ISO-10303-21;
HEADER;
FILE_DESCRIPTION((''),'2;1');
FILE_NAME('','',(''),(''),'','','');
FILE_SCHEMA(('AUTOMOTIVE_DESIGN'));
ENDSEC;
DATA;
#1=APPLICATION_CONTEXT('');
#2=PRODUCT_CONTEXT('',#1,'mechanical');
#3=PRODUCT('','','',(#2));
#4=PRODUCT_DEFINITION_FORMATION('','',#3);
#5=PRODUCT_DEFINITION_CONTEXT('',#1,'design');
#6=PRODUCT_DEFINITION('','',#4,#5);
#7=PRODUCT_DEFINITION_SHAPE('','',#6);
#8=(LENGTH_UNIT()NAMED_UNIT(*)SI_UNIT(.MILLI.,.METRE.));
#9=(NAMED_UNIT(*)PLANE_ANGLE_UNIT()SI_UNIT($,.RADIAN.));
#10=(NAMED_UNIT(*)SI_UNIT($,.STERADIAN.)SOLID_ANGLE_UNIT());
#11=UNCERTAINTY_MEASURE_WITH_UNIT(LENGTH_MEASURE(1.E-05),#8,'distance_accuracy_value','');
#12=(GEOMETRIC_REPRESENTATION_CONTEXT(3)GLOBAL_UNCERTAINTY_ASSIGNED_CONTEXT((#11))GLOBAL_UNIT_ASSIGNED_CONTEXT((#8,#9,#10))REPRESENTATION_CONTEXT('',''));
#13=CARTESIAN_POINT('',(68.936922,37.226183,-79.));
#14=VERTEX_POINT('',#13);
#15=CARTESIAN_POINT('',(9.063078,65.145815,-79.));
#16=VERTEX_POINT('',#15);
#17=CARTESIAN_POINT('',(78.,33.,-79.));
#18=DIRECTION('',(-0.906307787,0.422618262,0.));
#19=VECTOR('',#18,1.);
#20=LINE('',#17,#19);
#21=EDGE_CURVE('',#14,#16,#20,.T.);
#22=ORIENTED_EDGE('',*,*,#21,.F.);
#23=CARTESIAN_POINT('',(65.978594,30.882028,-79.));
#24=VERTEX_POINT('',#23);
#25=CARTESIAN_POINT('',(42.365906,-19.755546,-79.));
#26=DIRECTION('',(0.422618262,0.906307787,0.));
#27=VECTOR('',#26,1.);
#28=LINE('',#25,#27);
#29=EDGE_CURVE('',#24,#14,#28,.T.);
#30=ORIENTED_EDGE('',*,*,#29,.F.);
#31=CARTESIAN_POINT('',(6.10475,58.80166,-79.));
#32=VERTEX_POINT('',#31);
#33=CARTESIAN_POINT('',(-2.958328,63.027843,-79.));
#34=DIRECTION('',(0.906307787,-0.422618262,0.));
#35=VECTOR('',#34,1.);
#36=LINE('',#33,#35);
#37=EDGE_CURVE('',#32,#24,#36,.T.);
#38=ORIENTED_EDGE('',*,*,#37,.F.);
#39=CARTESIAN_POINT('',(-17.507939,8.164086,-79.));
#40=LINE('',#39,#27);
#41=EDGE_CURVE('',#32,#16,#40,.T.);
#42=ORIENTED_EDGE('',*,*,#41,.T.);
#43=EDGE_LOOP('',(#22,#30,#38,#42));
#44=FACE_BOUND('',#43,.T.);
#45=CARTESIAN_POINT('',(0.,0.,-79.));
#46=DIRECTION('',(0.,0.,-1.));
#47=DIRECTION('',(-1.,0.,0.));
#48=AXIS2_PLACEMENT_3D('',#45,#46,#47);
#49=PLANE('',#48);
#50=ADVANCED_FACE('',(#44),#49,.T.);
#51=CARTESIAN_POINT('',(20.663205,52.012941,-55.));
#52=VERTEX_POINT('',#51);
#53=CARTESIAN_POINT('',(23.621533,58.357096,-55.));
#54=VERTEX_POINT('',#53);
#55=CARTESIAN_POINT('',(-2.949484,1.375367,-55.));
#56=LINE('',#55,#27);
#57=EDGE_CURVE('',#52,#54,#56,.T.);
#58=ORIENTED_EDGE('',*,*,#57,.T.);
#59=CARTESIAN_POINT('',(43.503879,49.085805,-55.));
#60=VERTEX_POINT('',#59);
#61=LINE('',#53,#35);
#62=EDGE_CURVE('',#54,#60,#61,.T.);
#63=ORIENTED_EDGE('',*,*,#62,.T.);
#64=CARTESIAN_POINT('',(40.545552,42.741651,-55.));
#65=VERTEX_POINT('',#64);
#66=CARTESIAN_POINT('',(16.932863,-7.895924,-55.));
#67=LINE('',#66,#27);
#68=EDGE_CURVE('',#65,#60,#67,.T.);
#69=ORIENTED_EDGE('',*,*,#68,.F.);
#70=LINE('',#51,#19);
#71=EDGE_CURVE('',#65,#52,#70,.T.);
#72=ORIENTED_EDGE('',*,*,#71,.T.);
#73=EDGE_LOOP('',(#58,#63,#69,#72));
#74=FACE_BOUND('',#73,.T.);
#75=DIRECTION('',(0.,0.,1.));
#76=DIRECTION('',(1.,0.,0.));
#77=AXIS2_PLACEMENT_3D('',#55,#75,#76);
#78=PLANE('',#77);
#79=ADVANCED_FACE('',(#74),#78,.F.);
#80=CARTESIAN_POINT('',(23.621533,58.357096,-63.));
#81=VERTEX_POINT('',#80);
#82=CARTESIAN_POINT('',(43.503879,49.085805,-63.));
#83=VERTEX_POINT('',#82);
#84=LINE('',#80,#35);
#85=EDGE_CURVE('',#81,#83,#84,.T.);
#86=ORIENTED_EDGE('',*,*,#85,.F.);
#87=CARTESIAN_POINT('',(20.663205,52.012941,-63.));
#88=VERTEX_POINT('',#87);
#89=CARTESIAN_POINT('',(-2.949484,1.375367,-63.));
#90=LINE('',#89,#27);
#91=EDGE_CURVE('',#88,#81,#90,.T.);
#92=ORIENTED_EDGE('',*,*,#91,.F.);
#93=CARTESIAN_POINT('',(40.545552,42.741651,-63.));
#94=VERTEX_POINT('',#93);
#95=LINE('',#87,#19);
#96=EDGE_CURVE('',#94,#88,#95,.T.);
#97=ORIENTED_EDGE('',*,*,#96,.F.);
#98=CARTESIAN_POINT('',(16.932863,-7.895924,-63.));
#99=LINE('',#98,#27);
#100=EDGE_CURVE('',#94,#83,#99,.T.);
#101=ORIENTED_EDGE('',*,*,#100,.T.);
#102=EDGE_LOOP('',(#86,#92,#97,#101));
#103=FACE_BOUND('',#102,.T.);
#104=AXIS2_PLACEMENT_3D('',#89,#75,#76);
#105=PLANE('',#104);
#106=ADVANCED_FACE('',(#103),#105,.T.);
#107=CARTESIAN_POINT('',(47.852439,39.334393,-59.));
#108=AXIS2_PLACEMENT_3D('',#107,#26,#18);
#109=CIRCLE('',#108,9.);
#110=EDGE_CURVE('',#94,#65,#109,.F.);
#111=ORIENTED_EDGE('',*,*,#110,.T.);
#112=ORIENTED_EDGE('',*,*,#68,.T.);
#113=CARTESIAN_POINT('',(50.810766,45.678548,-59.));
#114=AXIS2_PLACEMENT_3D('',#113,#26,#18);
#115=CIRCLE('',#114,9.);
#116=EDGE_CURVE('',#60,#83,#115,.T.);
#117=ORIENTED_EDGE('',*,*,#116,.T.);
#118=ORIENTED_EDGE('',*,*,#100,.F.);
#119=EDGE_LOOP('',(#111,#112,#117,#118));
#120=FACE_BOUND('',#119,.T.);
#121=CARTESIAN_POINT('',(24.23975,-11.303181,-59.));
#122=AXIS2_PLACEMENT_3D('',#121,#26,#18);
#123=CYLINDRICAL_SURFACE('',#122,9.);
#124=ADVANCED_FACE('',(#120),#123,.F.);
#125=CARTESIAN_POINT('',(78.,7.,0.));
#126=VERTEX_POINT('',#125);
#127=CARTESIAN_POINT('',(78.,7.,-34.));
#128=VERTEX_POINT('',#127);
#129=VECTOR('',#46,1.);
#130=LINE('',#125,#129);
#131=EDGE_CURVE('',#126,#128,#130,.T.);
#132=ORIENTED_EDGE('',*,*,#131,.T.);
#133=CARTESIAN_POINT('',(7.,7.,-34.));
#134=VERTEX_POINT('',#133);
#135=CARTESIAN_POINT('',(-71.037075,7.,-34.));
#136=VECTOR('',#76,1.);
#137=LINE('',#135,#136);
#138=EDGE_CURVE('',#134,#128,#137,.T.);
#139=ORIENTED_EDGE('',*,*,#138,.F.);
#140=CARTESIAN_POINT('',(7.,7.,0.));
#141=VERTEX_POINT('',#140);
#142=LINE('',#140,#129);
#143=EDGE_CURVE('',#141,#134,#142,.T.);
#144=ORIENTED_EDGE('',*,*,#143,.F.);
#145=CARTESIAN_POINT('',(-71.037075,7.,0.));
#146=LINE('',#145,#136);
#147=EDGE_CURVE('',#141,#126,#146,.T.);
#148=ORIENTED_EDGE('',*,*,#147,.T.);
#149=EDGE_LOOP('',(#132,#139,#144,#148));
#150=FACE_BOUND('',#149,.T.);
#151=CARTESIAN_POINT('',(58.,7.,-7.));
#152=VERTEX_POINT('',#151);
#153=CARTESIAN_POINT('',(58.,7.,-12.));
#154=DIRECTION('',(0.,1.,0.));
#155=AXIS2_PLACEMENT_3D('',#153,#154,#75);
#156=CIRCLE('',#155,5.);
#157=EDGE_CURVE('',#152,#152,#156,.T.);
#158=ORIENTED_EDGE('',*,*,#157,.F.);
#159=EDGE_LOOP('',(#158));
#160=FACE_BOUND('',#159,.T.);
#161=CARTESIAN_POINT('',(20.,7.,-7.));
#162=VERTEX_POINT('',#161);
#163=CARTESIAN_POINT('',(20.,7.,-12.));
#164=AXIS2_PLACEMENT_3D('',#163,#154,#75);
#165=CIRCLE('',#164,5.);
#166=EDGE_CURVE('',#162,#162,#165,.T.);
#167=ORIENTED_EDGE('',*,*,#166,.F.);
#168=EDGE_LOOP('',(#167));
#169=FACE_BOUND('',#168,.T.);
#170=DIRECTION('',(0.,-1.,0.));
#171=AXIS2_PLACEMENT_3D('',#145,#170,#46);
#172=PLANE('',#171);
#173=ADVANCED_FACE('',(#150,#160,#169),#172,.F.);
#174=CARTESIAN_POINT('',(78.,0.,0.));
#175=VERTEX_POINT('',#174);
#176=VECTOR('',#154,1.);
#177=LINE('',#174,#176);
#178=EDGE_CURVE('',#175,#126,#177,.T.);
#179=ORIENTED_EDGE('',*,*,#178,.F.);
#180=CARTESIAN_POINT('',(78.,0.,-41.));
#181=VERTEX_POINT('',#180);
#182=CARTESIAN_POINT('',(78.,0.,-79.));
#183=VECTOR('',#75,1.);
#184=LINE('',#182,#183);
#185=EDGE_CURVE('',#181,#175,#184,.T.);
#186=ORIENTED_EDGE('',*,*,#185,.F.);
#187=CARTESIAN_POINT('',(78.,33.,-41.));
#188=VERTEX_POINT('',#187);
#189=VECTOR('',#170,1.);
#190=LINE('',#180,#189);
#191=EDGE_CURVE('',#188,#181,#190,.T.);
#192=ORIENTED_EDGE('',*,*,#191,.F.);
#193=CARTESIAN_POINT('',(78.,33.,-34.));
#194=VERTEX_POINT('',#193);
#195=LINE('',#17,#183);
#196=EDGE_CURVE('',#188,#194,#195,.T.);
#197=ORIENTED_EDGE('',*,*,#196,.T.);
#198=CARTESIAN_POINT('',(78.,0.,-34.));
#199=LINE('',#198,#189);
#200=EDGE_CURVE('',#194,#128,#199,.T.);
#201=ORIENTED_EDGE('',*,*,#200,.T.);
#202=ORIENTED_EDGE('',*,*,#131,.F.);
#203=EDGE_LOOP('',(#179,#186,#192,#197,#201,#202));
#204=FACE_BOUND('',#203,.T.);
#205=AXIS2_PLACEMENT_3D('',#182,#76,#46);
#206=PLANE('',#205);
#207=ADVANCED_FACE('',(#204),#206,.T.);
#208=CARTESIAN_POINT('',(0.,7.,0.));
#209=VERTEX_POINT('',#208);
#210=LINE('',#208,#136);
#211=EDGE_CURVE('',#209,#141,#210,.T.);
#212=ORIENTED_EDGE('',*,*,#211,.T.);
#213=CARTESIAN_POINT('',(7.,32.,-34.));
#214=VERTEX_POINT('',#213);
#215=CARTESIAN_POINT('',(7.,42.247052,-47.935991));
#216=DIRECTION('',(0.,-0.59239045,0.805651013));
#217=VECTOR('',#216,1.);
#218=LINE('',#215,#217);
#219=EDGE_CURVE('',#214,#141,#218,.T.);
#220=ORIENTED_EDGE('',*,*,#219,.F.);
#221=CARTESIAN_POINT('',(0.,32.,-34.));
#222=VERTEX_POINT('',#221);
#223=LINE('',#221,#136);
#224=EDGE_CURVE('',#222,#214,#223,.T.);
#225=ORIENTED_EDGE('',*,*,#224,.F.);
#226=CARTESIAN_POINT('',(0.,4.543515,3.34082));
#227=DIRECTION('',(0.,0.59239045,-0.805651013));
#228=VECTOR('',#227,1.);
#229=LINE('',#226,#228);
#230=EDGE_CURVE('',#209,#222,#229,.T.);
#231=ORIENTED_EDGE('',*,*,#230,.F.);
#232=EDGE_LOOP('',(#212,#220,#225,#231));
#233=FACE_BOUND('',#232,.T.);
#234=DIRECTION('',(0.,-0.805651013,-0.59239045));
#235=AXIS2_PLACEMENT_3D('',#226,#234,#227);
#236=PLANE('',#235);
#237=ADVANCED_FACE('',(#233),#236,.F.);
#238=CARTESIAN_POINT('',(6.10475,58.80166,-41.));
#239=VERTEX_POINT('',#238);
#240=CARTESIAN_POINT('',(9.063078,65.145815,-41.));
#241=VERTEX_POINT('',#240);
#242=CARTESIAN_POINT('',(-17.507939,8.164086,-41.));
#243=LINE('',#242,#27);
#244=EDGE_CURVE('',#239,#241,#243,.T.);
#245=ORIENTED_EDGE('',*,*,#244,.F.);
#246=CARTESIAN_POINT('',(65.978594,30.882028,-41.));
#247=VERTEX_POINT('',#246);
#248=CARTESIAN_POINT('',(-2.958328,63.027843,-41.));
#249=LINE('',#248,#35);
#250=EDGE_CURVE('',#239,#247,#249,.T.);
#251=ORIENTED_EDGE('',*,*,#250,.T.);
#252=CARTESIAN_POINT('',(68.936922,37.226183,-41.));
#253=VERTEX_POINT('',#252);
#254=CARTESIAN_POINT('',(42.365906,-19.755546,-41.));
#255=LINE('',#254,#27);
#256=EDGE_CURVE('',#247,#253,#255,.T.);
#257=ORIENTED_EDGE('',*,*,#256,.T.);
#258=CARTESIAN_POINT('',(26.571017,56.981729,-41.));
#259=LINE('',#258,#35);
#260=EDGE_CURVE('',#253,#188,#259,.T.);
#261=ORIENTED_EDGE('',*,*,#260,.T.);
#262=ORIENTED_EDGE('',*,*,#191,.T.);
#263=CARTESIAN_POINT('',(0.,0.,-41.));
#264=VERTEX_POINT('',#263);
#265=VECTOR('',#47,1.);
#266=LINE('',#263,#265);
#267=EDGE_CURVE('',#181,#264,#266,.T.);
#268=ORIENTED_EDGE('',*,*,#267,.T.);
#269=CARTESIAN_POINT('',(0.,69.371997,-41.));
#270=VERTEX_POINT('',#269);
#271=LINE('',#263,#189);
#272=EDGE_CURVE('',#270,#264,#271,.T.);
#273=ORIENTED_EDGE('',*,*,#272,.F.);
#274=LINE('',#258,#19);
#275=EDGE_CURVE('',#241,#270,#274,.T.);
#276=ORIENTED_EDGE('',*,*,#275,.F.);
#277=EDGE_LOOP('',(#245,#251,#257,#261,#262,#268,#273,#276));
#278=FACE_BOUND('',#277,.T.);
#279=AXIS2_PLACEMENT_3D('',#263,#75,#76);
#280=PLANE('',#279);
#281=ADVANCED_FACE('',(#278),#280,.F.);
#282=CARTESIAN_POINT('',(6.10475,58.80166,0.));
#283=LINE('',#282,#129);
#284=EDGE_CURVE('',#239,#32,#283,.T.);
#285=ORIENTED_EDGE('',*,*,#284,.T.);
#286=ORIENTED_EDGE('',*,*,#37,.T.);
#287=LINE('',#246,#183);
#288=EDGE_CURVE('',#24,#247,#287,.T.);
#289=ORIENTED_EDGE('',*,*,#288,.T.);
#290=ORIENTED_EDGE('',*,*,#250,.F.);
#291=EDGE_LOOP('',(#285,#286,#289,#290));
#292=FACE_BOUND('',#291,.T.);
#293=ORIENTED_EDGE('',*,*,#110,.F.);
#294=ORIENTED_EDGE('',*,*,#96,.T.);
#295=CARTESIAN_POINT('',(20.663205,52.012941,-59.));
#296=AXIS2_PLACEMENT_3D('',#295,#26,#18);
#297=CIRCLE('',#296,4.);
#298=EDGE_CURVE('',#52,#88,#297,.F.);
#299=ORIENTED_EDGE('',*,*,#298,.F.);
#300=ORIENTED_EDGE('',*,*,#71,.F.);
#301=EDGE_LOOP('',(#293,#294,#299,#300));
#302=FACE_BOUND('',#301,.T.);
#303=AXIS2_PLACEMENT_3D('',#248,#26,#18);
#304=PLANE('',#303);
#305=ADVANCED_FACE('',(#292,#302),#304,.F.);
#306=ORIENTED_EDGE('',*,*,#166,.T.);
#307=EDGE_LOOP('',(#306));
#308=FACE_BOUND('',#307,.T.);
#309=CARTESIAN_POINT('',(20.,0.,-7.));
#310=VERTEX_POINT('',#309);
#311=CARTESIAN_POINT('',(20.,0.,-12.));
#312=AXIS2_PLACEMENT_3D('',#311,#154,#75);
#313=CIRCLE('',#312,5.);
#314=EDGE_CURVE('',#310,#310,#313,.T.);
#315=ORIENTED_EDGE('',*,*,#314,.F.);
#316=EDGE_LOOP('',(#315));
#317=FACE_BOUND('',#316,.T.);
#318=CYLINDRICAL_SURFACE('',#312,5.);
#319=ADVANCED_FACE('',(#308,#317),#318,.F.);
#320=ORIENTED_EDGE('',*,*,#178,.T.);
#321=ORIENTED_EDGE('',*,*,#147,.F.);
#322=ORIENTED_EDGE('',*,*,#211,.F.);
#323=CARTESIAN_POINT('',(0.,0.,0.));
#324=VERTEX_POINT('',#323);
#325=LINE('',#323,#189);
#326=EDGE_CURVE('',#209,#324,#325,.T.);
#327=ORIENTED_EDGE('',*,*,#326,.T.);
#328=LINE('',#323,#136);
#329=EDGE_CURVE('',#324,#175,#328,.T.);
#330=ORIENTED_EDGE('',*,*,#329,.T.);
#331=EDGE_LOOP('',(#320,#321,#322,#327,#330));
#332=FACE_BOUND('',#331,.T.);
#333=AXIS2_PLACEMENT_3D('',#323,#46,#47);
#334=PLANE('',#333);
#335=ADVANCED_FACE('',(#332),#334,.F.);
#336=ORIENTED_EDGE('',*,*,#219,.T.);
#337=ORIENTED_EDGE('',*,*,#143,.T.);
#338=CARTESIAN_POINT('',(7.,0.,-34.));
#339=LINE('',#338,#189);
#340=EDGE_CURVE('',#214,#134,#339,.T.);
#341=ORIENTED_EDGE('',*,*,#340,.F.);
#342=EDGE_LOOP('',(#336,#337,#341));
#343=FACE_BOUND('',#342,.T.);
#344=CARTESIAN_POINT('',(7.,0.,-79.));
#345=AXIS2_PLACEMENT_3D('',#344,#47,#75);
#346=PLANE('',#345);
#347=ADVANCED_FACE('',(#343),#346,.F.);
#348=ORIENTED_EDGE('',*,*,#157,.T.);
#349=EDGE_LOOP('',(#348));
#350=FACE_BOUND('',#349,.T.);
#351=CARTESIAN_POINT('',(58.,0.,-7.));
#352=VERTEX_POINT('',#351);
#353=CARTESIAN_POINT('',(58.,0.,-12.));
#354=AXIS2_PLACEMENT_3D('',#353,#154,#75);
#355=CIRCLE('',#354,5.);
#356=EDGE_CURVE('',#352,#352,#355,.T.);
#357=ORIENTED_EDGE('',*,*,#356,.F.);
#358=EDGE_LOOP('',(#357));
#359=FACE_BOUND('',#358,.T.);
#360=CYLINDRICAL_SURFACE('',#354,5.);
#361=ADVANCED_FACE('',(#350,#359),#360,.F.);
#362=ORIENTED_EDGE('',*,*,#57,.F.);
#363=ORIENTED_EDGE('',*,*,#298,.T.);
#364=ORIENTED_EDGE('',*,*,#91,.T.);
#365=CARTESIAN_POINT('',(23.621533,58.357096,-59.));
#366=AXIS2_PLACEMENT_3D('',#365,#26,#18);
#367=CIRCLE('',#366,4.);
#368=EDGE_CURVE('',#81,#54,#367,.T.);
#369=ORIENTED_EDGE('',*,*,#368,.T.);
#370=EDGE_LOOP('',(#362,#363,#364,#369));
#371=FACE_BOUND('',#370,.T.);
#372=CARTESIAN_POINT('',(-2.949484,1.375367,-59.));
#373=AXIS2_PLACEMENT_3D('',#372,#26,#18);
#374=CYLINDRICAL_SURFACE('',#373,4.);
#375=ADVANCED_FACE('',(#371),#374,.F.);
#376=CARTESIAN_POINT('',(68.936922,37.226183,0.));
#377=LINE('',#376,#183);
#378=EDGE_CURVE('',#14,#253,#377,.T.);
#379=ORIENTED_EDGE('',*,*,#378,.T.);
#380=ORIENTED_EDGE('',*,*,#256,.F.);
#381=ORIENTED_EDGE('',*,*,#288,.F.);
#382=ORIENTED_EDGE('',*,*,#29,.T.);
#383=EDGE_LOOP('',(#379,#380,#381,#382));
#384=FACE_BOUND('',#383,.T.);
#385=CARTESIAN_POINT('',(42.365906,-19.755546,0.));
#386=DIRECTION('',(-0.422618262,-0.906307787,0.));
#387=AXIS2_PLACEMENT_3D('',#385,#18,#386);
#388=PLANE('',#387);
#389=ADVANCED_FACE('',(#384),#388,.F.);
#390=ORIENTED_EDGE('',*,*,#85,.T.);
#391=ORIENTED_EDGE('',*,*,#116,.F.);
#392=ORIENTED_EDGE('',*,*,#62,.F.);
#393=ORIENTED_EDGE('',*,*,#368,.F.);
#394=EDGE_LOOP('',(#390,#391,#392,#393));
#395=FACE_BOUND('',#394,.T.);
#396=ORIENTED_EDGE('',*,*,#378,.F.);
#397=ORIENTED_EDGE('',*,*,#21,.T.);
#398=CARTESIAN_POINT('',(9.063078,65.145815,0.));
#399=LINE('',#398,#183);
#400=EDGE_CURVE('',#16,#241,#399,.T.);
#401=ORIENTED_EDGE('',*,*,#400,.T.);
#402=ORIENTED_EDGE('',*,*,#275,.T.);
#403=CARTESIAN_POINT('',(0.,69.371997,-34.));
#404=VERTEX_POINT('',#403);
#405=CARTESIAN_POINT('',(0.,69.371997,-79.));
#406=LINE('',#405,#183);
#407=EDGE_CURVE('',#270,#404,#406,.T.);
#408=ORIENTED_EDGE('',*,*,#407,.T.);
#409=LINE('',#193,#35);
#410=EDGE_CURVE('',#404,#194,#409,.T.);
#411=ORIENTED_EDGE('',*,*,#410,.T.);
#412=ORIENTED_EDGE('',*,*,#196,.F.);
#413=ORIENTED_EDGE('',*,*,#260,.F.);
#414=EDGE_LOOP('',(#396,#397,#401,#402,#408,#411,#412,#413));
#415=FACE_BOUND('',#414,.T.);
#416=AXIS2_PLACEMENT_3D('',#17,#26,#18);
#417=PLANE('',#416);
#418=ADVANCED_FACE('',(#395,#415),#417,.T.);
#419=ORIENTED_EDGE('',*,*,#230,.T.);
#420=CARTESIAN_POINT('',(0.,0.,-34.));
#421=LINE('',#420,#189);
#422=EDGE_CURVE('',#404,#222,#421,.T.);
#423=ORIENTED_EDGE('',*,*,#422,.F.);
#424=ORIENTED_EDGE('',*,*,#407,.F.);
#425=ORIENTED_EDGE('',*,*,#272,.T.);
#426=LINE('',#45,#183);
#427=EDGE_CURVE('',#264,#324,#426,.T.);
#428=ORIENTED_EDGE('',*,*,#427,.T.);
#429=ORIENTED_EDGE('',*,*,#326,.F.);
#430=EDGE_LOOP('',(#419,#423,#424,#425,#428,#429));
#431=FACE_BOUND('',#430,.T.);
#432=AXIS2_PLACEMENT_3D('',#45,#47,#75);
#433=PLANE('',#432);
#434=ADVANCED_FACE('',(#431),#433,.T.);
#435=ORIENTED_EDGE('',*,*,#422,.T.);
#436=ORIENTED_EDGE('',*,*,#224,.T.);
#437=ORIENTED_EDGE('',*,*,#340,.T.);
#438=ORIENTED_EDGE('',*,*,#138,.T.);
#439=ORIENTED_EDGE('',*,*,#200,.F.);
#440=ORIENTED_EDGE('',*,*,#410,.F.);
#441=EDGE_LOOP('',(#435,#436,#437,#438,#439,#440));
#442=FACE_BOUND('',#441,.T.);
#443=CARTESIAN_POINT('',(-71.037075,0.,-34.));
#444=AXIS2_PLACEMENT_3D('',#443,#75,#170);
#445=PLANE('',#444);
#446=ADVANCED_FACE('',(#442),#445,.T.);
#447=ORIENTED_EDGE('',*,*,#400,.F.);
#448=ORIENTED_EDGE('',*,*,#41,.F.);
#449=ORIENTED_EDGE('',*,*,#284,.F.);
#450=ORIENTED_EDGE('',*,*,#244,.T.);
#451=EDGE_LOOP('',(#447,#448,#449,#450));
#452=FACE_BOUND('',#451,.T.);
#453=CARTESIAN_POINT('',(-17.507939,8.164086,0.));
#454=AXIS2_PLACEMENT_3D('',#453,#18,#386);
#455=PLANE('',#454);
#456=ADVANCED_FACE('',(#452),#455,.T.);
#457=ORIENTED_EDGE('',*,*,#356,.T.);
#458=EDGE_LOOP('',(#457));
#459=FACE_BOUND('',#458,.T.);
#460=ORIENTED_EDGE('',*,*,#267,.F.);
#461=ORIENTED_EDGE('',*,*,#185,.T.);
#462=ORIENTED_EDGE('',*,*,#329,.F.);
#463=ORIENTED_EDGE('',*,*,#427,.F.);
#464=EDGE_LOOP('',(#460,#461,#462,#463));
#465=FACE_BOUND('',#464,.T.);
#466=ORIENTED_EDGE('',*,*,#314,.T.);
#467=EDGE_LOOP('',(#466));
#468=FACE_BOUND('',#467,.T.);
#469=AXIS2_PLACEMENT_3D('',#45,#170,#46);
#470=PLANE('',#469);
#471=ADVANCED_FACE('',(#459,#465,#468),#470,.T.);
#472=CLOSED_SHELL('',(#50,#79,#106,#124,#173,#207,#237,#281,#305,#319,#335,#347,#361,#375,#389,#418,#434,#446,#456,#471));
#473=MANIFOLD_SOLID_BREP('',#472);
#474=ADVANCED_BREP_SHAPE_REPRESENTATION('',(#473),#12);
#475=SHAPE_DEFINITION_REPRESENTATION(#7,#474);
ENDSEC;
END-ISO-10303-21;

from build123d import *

# Parameters (mm, degrees)
BOSS_EXTRUDE1_DEPTH = 79
SKETCH2_W           = 34
SKETCH2_H           = 36.371997336
CUT_EXTRUDE1_DEPTH  = 71
SKETCH2_4_W         = 34
SKETCH2_4_H         = 36.371997336
CUT_EXTRUDE2_DEPTH  = 79
SKETCH3_W           = 10
SKETCH3_H           = 38
SKETCH3_W_2         = 41.460526603
CUT_EXTRUDE3_DEPTH  = 63.872381388
SKETCH4_W           = 38
SKETCH4_H           = 64.41245134
CUT_EXTRUDE4_DEPTH  = 77.063477679
SKETCH5_R           = 5
CUT_EXTRUDE5_DEPTH  = 8


with BuildPart() as part:
    # Sketch1 → Boss-Extrude1 (new body)
    with BuildSketch(Plane.XY):
        Polygon((78, 33), (0, 69.371997336), (0, 0), (78, 0), align=None)
    extrude(amount=-BOSS_EXTRUDE1_DEPTH)

    # Sketch2 → Cut-Extrude1 (cut)
    with BuildSketch(Plane(origin=(78, 0, 0), x_dir=(0, 0, -1), z_dir=(1, 0, 0))):
        Polygon((0, 33), (0, 7), (34, 32), (34, 33), align=None)
        with Locations((17, 51.185998668)):
            Rectangle(SKETCH2_W, SKETCH2_H)
        Polygon((34, 32), (0, 7), (34, 7), align=None)
    extrude(amount=-CUT_EXTRUDE1_DEPTH, mode=Mode.SUBTRACT)

    # Sketch2<4> → Cut-Extrude2 (cut, through all)
    with BuildSketch(Plane(origin=(78, 0, 0), x_dir=(0, 0, -1), z_dir=(1, 0, 0))):
        with Locations((17, 51.185998668)):
            Rectangle(SKETCH2_4_W, SKETCH2_4_H)
        Polygon((0, 33), (0, 7), (34, 32), (34, 33), align=None)
    extrude(amount=-CUT_EXTRUDE2_DEPTH, mode=Mode.SUBTRACT)

    # Sketch3 → Cut-Extrude3 (cut, through all)
    with BuildSketch(Plane(origin=(26.571016534, 56.981728841, 0), x_dir=(0.906307787, -0.422618262, 0), z_dir=(0.422618262, 0.906307787, 0))):
        with Locations((-24.317872928, 60)):
            Rectangle(SKETCH3_W, SKETCH3_H)
        with Locations((77.475868053, 60)):
            Rectangle(SKETCH3_W_2, SKETCH3_H)
        with Locations((51.745604751, 60)):
            Rectangle(SKETCH3_W, SKETCH3_H)
        with BuildLine():
            ThreePointArc((-3.254395249, 63), (-7.254395249, 59), (-3.254395249, 55))
            Line((-3.254395249, 55), (18.683347003, 55))
            ThreePointArc((18.683347003, 55), (35.745604751, 59), (18.683347003, 63))
            Line((18.683347003, 63), (-3.254395249, 63))
        make_face()
    extrude(amount=-CUT_EXTRUDE3_DEPTH, mode=Mode.SUBTRACT)

    # Sketch4 → Cut-Extrude4 (cut, through all)
    with BuildSketch(Plane(origin=(42.365905596, -19.755546224, 0), x_dir=(0, 0, -1), z_dir=(0.906307787, -0.422618262, 0))):
        with Locations((60, 23.666155718)):
            Rectangle(SKETCH4_W, SKETCH4_H)
    extrude(amount=-CUT_EXTRUDE4_DEPTH, mode=Mode.SUBTRACT)

    # Sketch5 → Cut-Extrude5 (cut, through all)
    with BuildSketch(Plane(origin=(0, 7, 0), x_dir=(1, 0, 0), z_dir=(0, 1, 0))):
        with Locations((20, 12)):
            Circle(SKETCH5_R)
        with Locations((58, 12)):
            Circle(SKETCH5_R)
    extrude(amount=-CUT_EXTRUDE5_DEPTH, mode=Mode.SUBTRACT)


solid = part.part
